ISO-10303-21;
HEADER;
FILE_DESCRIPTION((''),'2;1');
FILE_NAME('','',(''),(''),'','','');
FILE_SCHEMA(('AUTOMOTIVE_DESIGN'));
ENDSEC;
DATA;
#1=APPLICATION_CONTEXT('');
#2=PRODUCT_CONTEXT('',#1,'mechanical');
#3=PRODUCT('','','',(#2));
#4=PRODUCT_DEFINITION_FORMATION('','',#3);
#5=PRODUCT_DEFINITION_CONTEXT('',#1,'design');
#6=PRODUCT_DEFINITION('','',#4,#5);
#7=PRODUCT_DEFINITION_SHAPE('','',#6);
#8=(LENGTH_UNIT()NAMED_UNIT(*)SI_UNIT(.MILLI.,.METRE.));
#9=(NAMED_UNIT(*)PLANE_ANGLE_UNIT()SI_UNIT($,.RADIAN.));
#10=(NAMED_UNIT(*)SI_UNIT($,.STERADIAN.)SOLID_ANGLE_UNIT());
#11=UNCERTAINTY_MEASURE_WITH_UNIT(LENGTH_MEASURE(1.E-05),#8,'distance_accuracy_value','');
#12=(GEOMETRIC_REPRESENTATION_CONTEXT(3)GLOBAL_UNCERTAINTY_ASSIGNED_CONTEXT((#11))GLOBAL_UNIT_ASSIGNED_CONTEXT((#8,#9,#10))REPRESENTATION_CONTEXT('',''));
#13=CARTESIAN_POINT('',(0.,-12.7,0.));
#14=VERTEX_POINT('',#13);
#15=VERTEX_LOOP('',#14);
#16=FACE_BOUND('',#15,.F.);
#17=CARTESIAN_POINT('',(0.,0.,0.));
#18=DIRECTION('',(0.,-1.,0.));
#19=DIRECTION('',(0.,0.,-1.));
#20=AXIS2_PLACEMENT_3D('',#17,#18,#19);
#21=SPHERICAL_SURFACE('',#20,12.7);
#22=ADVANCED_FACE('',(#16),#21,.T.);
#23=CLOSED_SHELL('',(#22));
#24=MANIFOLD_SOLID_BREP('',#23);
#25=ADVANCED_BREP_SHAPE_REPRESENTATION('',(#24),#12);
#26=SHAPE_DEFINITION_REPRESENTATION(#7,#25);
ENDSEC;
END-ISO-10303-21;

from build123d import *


with BuildPart() as part:
    # Sketch1 → Revolve1 (revolve)
    with BuildSketch(Plane(origin=(0, 0, 0), x_dir=(0, 0, -1), z_dir=(1, 0, 0))):
        with BuildLine():
            Line((0, -12.7), (0, 12.7))
            ThreePointArc((0, 12.7), (12.7, 0), (0, -12.7))
        make_face()
    revolve(axis=Axis((0, -12.7, 0), (0, 1, 0)))


solid = part.part
